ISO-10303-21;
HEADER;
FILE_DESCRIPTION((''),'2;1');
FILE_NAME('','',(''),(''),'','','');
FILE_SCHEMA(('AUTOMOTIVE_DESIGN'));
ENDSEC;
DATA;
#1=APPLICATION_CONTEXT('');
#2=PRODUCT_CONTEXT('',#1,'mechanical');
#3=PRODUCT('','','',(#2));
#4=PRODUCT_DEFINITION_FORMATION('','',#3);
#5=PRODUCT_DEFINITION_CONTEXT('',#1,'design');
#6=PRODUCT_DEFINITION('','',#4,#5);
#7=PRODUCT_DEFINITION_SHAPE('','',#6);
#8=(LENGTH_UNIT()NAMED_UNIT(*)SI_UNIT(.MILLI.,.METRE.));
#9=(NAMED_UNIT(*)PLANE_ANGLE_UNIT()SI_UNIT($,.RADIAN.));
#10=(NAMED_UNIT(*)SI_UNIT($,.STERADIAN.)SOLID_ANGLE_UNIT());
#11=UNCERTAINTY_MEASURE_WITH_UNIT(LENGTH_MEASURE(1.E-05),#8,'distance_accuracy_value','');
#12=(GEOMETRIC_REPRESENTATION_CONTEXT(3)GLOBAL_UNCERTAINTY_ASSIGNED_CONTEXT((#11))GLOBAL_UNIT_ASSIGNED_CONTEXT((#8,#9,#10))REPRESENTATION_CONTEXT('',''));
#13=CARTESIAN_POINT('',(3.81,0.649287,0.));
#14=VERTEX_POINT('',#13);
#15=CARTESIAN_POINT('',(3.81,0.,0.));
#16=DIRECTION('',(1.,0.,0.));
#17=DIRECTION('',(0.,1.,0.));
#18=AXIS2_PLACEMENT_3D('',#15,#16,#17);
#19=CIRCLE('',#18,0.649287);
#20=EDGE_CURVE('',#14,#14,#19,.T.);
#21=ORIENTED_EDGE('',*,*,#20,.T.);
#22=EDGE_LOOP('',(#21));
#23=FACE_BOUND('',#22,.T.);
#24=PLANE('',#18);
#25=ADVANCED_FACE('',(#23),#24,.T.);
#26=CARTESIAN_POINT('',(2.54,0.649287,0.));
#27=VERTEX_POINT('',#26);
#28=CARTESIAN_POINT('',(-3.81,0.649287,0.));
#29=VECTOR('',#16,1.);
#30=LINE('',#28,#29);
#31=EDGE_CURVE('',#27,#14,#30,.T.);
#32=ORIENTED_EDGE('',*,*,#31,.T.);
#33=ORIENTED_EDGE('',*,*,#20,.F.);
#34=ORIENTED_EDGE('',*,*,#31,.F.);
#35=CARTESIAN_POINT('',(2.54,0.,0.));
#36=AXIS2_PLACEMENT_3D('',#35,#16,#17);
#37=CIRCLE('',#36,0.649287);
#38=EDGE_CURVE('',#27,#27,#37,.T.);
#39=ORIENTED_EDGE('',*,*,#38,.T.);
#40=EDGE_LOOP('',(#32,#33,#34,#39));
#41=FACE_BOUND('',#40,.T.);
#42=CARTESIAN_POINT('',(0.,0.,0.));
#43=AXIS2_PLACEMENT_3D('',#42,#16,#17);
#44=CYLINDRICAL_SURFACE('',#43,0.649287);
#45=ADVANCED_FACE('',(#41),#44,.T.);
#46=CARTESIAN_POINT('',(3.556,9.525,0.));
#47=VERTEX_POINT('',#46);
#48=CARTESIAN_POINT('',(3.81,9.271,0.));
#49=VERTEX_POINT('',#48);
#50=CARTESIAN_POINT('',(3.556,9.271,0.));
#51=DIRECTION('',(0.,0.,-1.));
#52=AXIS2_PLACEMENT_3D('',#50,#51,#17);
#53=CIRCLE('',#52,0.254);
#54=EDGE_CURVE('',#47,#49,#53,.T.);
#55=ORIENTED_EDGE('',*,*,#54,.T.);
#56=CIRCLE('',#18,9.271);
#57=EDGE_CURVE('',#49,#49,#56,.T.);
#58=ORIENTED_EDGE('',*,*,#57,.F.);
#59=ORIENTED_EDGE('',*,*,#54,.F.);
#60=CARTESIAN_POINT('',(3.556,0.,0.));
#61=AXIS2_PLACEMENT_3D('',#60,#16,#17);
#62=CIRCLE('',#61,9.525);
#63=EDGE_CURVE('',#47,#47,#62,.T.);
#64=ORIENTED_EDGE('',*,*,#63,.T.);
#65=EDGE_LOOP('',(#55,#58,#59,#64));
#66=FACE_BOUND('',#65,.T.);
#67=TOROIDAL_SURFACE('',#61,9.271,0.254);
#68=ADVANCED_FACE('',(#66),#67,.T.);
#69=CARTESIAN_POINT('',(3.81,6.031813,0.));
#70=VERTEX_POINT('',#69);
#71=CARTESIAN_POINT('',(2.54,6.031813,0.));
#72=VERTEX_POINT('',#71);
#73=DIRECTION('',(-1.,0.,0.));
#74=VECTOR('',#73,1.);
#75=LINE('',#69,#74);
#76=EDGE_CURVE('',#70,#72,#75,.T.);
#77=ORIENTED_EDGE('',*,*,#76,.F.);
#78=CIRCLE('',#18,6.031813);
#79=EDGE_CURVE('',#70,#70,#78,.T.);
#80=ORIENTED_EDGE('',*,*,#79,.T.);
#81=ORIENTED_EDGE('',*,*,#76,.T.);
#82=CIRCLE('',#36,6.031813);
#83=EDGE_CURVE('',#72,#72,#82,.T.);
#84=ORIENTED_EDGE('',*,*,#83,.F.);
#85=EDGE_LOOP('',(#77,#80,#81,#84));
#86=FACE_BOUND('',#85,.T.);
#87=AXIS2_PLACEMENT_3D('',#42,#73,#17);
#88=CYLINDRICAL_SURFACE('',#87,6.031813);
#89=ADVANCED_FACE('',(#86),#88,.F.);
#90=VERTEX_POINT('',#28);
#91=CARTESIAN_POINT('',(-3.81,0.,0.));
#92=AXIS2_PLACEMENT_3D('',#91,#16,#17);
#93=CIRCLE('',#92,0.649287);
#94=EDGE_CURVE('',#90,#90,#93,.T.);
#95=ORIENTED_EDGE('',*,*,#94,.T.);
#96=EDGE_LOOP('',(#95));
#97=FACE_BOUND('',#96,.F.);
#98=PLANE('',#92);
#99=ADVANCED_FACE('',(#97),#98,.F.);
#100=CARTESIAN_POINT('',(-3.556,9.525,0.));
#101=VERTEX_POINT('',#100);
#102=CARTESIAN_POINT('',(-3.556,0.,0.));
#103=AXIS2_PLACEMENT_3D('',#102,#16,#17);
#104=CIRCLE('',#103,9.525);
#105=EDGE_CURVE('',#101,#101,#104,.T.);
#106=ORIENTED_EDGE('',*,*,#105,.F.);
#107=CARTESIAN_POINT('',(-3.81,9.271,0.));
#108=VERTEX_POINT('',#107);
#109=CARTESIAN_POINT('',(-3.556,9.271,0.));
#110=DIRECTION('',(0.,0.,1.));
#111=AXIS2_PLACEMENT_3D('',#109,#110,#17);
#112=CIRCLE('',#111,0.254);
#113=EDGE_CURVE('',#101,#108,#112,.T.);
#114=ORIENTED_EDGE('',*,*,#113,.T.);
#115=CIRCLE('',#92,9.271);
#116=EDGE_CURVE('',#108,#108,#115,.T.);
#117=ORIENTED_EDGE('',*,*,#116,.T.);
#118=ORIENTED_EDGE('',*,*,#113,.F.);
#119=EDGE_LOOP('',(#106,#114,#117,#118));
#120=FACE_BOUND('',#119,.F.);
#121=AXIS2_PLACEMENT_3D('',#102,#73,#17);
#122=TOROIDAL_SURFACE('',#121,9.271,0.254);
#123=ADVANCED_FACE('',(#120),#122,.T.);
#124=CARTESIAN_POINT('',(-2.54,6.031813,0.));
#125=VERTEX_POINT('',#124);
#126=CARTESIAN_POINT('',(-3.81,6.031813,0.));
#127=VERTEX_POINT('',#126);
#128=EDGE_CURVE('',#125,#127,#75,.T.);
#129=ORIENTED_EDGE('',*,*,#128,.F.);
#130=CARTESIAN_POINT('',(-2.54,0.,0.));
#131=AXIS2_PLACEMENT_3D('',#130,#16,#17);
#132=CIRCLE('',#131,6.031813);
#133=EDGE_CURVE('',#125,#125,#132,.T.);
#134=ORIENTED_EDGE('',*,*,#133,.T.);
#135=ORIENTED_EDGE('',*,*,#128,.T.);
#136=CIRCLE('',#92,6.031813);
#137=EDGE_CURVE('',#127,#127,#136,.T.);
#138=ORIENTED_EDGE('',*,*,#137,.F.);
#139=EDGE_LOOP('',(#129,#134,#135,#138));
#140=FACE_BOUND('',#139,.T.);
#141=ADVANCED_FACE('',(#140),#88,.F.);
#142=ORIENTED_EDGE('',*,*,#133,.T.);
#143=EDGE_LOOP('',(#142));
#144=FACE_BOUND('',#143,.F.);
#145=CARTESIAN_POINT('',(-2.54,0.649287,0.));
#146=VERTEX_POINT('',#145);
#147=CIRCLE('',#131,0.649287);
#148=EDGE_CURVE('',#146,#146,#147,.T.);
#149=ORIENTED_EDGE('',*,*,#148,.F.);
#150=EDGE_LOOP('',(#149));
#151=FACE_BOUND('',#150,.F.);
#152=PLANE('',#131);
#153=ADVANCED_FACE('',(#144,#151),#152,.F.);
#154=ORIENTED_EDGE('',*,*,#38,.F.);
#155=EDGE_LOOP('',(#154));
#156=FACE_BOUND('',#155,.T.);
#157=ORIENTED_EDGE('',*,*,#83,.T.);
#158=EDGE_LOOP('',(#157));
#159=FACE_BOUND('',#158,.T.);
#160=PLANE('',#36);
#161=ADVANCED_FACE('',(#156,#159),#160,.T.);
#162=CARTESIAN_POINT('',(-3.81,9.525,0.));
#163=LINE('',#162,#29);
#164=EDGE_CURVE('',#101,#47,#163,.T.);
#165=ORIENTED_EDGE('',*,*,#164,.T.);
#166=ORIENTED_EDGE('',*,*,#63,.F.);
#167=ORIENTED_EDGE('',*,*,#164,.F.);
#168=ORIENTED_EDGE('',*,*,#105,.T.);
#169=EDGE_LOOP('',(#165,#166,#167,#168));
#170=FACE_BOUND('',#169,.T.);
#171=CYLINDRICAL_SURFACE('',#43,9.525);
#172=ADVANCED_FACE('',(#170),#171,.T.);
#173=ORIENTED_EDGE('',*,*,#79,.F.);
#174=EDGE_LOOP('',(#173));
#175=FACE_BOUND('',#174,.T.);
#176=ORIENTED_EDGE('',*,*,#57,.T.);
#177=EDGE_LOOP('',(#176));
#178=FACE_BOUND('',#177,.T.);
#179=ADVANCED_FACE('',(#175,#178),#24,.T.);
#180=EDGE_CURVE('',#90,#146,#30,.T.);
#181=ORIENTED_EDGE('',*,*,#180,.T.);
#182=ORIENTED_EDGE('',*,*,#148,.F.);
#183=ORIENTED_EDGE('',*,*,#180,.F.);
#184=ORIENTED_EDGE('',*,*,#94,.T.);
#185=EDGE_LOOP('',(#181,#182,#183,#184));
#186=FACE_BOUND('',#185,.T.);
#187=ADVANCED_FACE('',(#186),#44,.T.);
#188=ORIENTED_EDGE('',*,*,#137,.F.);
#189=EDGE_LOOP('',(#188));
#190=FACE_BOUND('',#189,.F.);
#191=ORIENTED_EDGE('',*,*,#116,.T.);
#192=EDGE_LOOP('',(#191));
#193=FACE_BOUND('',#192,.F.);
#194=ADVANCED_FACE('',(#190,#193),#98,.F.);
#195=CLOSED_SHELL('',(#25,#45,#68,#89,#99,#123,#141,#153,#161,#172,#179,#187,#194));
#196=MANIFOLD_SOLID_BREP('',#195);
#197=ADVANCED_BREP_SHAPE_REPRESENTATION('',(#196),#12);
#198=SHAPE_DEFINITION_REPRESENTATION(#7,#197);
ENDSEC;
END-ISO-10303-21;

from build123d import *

# Parameters (mm, degrees)
F0_R     = 0.649287
F1_DEPTH = 3.81
F0_R_2   = 6.031813
F2_DEPTH = 2.54
F0_R_3   = 9.525
F3_DEPTH = 3.81
F4_R     = 0.254


with BuildPart() as f1:
    # F0 (on Right) → F1 (new body, symmetric)
    with BuildSketch(Plane.YZ):
        Circle(F0_R)
    extrude(amount=F1_DEPTH, both=True)

    # F0 (on Right) → F2 (join, symmetric)
    with BuildSketch(Plane.YZ):
        Circle(F0_R_2)
        Circle(F0_R, mode=Mode.SUBTRACT)
    extrude(amount=F2_DEPTH, both=True)

    # F0 (on Right) → F3 (join, symmetric)
    with BuildSketch(Plane.YZ):
        Circle(F0_R_3)
        Circle(F0_R_2, mode=Mode.SUBTRACT)
    extrude(amount=F3_DEPTH, both=True)

    # F4
    f4_edges = [f1.edges().sort_by_distance(p)[0] for p in [
        (3.81, -9.525, 0),
        (-3.81, -9.525, 0),
    ]]
    fillet(f4_edges, radius=F4_R)


solid = f1.part
